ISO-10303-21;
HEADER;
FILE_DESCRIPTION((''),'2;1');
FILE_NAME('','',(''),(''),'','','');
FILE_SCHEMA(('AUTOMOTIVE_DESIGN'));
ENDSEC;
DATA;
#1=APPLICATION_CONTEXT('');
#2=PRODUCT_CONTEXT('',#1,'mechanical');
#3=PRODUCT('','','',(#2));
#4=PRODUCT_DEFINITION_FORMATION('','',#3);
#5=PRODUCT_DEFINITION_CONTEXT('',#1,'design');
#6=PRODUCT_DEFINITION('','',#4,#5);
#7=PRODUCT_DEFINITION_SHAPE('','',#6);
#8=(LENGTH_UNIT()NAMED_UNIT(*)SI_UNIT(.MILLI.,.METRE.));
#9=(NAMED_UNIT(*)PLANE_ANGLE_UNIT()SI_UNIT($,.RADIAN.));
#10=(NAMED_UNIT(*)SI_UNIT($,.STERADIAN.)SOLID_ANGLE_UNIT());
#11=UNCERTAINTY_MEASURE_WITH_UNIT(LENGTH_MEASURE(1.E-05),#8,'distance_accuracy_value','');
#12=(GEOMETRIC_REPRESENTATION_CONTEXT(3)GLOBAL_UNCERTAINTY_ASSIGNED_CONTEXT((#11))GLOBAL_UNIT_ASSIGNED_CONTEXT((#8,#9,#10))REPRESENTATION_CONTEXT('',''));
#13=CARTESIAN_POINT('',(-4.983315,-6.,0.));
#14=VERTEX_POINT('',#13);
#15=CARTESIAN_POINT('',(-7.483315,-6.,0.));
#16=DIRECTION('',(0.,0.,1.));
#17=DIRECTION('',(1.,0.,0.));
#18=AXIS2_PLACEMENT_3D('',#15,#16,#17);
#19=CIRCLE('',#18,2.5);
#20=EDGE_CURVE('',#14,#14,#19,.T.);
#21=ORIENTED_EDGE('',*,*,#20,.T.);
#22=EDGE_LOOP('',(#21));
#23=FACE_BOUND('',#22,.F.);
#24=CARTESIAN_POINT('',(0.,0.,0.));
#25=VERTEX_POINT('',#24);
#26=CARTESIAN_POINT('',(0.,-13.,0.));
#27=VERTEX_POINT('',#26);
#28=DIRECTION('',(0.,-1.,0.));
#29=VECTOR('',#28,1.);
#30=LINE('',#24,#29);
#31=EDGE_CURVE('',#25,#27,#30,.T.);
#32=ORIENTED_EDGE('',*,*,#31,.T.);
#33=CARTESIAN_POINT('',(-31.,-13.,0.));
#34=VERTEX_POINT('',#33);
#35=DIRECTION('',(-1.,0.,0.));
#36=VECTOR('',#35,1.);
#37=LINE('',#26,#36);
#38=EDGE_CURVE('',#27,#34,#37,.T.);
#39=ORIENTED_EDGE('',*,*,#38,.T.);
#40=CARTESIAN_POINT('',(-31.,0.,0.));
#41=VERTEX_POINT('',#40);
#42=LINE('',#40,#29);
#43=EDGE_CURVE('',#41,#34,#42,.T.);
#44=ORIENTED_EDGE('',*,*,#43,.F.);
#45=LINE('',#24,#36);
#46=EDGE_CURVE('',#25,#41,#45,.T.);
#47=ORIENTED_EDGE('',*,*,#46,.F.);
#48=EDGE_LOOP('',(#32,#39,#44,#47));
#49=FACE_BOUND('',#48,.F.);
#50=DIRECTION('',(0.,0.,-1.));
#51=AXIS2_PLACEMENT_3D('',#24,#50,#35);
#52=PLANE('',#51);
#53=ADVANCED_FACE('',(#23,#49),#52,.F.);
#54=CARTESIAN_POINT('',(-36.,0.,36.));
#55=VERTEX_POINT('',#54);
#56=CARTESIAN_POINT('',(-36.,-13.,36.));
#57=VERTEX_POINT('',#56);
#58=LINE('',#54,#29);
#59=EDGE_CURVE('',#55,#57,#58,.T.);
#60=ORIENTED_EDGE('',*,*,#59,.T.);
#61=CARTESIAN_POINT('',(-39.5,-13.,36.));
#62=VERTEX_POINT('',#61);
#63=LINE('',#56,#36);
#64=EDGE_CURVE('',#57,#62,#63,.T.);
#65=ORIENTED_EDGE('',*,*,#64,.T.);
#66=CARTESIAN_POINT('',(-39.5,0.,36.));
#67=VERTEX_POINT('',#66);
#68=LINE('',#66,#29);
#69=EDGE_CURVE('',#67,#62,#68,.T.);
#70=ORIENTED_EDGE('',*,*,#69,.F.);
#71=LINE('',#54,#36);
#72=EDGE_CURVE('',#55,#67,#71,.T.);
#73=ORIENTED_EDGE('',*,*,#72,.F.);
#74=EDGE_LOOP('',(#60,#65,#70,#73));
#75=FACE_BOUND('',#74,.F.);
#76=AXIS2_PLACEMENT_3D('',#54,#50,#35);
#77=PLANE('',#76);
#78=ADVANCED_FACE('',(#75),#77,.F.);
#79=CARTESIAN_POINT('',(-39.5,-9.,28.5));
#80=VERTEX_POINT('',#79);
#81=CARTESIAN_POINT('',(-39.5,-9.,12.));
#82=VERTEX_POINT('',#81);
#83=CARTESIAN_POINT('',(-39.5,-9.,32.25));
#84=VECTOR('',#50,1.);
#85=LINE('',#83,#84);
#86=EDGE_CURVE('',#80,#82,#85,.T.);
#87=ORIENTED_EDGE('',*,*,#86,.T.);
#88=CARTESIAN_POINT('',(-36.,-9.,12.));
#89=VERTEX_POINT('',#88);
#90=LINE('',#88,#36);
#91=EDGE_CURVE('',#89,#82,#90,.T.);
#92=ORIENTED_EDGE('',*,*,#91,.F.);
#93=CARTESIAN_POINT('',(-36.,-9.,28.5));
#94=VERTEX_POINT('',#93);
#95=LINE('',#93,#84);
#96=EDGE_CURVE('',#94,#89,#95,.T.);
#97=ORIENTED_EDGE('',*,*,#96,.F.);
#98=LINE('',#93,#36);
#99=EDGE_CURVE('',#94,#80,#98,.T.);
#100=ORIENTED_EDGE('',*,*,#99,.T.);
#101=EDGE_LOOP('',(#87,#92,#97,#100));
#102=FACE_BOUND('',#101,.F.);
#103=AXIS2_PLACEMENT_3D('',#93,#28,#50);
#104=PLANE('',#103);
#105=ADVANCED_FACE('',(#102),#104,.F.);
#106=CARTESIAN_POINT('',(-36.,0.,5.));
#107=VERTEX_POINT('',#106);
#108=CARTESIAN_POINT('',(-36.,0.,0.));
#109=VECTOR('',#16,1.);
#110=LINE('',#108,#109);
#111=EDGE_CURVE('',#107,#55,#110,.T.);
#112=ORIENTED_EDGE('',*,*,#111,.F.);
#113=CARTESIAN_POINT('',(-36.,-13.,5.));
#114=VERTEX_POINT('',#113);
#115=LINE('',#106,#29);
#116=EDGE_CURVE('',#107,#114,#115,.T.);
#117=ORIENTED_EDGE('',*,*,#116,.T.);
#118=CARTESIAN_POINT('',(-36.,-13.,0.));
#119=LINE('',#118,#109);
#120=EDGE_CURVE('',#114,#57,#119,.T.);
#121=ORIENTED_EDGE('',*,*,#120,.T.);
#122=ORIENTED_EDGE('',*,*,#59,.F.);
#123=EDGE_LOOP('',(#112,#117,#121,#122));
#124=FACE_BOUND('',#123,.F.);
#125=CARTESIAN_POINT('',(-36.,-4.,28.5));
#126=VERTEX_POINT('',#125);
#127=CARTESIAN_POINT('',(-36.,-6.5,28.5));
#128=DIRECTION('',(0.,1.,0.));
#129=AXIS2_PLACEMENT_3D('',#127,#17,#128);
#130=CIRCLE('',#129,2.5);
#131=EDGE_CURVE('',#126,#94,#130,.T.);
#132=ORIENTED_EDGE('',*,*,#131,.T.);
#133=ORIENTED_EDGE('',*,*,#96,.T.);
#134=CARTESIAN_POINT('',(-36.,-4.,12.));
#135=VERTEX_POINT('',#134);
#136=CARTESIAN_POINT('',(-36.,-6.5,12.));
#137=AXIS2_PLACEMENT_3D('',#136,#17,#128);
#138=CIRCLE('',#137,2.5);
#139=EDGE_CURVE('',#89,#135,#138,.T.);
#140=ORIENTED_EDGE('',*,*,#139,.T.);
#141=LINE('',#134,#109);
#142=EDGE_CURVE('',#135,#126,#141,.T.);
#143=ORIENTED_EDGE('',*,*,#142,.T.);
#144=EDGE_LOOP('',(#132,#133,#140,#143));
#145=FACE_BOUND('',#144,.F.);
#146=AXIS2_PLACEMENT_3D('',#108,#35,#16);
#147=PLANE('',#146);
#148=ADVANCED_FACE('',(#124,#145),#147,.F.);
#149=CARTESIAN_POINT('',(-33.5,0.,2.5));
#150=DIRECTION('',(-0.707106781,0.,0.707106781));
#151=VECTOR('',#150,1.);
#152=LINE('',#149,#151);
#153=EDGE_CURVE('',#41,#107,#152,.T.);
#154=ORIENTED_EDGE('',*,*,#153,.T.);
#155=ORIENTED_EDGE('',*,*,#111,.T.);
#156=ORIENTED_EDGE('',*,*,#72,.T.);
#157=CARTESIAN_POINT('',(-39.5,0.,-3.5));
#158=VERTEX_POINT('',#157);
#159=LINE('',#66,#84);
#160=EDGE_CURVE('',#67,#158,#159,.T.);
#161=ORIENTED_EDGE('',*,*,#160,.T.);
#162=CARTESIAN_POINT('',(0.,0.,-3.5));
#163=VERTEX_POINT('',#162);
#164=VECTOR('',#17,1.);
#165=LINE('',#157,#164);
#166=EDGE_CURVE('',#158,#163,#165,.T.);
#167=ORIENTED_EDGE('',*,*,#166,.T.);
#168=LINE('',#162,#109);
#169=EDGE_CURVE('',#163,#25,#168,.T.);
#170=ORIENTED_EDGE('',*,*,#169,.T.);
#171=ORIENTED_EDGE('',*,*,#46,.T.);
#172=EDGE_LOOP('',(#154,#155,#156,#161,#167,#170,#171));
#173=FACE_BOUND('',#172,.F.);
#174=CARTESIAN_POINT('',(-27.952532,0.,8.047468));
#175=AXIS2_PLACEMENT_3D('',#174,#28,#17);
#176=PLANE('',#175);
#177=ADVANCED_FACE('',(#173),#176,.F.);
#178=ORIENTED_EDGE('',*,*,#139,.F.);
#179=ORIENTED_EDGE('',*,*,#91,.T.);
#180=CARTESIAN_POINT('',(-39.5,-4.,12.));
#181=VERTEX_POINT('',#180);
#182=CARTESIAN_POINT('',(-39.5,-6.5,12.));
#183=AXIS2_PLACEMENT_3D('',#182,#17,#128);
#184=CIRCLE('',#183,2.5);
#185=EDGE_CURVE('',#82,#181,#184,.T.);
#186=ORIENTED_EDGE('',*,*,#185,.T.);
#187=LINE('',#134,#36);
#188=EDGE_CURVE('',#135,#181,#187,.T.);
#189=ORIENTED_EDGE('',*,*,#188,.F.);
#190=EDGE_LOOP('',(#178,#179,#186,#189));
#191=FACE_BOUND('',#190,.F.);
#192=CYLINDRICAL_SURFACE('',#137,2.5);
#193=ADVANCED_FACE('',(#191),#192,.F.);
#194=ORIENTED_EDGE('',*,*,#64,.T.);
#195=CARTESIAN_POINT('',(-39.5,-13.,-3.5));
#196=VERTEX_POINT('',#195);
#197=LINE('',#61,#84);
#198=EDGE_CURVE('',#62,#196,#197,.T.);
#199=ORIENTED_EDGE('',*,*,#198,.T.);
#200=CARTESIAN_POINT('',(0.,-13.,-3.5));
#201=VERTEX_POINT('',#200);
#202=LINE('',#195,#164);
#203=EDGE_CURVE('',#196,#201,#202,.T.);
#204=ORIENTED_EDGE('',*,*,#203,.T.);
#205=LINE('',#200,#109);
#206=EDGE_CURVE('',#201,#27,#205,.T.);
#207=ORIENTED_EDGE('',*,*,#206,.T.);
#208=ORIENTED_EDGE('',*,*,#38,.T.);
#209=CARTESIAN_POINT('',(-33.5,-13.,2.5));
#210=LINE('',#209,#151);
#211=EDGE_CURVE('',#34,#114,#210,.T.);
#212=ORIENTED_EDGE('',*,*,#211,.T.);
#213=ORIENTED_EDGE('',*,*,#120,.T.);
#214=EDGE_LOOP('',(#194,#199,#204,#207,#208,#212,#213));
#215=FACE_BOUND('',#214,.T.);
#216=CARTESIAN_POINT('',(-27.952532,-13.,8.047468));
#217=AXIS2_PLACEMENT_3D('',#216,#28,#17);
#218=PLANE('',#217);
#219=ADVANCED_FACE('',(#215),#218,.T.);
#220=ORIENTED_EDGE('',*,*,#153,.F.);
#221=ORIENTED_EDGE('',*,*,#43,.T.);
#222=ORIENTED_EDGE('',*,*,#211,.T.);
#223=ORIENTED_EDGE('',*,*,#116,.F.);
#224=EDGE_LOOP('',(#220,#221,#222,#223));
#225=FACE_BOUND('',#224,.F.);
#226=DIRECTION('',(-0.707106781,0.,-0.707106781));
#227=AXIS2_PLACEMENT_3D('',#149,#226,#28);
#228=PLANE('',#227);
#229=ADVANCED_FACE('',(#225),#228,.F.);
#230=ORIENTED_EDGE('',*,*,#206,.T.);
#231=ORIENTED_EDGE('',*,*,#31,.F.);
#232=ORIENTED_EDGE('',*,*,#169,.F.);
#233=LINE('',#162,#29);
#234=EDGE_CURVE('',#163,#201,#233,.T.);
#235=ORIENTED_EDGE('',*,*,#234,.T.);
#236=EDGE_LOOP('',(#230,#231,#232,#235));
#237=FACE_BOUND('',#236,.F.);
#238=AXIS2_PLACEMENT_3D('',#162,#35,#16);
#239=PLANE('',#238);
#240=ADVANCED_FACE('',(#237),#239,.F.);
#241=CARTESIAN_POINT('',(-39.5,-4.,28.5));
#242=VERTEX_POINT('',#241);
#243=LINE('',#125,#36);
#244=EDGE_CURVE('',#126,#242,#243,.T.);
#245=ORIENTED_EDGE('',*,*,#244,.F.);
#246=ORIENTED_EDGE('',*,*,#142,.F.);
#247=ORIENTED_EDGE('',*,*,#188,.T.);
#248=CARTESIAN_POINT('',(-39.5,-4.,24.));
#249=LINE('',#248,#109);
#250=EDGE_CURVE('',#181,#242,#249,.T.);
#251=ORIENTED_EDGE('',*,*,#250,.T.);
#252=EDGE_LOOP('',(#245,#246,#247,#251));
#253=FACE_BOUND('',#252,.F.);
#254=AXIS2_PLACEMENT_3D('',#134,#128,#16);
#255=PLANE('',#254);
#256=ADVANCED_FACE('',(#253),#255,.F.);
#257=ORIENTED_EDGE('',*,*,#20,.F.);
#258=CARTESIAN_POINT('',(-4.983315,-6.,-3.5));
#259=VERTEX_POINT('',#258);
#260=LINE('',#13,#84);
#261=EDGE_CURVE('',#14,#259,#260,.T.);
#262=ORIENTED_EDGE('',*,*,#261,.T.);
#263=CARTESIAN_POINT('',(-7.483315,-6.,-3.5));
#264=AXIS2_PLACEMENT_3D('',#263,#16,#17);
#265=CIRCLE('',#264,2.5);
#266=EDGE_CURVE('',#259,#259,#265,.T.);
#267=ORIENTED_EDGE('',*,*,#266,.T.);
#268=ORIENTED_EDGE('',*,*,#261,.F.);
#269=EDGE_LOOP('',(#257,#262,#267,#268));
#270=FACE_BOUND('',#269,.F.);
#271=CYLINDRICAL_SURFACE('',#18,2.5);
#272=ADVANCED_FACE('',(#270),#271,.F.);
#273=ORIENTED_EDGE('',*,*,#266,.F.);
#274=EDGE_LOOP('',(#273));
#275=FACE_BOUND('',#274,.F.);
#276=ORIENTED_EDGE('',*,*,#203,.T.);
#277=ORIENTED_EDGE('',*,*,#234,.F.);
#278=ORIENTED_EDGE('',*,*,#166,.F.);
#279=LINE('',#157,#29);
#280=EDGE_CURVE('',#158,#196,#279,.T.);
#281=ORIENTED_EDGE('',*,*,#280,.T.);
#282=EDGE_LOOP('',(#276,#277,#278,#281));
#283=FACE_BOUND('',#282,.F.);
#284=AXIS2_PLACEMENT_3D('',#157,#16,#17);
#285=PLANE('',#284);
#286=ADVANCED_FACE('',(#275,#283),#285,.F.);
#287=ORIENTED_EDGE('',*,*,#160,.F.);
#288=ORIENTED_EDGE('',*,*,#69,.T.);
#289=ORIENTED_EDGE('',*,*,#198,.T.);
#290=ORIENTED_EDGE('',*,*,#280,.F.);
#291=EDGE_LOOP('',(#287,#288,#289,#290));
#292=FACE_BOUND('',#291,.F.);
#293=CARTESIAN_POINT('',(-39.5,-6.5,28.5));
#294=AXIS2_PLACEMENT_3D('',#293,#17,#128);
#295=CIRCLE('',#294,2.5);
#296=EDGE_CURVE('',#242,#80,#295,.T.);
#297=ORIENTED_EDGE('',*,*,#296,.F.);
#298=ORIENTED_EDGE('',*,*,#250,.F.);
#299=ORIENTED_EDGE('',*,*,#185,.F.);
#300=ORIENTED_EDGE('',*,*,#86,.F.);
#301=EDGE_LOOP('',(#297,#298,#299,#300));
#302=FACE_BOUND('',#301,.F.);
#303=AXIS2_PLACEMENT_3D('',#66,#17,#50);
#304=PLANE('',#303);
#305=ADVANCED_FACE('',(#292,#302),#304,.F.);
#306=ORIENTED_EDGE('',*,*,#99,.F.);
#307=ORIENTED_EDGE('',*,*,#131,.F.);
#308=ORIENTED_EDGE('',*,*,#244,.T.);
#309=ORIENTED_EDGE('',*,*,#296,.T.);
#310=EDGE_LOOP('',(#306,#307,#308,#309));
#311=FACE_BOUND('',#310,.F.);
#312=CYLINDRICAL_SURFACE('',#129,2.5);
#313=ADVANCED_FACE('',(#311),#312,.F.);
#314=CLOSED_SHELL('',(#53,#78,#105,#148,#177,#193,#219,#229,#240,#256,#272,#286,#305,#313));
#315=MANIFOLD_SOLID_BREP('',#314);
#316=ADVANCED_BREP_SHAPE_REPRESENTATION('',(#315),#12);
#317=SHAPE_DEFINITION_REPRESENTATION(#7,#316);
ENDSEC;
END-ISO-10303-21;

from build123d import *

# Parameters (mm, degrees)
F1_DEPTH = 13
F3_DEPTH = 25
F4_R     = 2.5
F5_DEPTH = 25
F6_SIZE  = 5


with BuildPart() as f1:
    # F0 (on Front) → F1 (new body)
    with BuildSketch(Plane.XZ):
        Polygon((0, -3.5), (0, 0), (-36, 0), (-36, 36), (-39.5, 36), (-39.5, -3.5), align=None)
    extrude(amount=F1_DEPTH)

    # F2 (on face) → F3 (cut)
    with BuildSketch(Plane.YZ.offset(-36)):
        with BuildLine():
            ThreePointArc((-9, 28.5), (-6.5, 26), (-4, 28.5))
            ThreePointArc((-4, 28.5), (-6.5, 31), (-9, 28.5))
        make_face()
        with BuildLine():
            Line((-4, 12), (-4, 28.5))
            ThreePointArc((-4, 28.5), (-6.5, 26), (-9, 28.5))
            Line((-9, 28.5), (-9, 12))
            ThreePointArc((-9, 12), (-6.5, 14.5), (-4, 12))
        make_face()
        with BuildLine():
            ThreePointArc((-9, 12), (-6.5, 9.5), (-4, 12))
            ThreePointArc((-4, 12), (-6.5, 14.5), (-9, 12))
        make_face()
    extrude(amount=-F3_DEPTH, mode=Mode.SUBTRACT)

    # F4 (on face) → F5 (cut)
    with BuildSketch(Plane.XY):
        with Locations((-7.483315, -6)):
            Circle(F4_R)
    extrude(amount=-F5_DEPTH, mode=Mode.SUBTRACT)

    # F6
    f6_edges = [f1.edges().sort_by_distance(p)[0] for p in [
        (-36, -6.5, 0),
    ]]
    chamfer(f6_edges, length=F6_SIZE)


solid = f1.part
